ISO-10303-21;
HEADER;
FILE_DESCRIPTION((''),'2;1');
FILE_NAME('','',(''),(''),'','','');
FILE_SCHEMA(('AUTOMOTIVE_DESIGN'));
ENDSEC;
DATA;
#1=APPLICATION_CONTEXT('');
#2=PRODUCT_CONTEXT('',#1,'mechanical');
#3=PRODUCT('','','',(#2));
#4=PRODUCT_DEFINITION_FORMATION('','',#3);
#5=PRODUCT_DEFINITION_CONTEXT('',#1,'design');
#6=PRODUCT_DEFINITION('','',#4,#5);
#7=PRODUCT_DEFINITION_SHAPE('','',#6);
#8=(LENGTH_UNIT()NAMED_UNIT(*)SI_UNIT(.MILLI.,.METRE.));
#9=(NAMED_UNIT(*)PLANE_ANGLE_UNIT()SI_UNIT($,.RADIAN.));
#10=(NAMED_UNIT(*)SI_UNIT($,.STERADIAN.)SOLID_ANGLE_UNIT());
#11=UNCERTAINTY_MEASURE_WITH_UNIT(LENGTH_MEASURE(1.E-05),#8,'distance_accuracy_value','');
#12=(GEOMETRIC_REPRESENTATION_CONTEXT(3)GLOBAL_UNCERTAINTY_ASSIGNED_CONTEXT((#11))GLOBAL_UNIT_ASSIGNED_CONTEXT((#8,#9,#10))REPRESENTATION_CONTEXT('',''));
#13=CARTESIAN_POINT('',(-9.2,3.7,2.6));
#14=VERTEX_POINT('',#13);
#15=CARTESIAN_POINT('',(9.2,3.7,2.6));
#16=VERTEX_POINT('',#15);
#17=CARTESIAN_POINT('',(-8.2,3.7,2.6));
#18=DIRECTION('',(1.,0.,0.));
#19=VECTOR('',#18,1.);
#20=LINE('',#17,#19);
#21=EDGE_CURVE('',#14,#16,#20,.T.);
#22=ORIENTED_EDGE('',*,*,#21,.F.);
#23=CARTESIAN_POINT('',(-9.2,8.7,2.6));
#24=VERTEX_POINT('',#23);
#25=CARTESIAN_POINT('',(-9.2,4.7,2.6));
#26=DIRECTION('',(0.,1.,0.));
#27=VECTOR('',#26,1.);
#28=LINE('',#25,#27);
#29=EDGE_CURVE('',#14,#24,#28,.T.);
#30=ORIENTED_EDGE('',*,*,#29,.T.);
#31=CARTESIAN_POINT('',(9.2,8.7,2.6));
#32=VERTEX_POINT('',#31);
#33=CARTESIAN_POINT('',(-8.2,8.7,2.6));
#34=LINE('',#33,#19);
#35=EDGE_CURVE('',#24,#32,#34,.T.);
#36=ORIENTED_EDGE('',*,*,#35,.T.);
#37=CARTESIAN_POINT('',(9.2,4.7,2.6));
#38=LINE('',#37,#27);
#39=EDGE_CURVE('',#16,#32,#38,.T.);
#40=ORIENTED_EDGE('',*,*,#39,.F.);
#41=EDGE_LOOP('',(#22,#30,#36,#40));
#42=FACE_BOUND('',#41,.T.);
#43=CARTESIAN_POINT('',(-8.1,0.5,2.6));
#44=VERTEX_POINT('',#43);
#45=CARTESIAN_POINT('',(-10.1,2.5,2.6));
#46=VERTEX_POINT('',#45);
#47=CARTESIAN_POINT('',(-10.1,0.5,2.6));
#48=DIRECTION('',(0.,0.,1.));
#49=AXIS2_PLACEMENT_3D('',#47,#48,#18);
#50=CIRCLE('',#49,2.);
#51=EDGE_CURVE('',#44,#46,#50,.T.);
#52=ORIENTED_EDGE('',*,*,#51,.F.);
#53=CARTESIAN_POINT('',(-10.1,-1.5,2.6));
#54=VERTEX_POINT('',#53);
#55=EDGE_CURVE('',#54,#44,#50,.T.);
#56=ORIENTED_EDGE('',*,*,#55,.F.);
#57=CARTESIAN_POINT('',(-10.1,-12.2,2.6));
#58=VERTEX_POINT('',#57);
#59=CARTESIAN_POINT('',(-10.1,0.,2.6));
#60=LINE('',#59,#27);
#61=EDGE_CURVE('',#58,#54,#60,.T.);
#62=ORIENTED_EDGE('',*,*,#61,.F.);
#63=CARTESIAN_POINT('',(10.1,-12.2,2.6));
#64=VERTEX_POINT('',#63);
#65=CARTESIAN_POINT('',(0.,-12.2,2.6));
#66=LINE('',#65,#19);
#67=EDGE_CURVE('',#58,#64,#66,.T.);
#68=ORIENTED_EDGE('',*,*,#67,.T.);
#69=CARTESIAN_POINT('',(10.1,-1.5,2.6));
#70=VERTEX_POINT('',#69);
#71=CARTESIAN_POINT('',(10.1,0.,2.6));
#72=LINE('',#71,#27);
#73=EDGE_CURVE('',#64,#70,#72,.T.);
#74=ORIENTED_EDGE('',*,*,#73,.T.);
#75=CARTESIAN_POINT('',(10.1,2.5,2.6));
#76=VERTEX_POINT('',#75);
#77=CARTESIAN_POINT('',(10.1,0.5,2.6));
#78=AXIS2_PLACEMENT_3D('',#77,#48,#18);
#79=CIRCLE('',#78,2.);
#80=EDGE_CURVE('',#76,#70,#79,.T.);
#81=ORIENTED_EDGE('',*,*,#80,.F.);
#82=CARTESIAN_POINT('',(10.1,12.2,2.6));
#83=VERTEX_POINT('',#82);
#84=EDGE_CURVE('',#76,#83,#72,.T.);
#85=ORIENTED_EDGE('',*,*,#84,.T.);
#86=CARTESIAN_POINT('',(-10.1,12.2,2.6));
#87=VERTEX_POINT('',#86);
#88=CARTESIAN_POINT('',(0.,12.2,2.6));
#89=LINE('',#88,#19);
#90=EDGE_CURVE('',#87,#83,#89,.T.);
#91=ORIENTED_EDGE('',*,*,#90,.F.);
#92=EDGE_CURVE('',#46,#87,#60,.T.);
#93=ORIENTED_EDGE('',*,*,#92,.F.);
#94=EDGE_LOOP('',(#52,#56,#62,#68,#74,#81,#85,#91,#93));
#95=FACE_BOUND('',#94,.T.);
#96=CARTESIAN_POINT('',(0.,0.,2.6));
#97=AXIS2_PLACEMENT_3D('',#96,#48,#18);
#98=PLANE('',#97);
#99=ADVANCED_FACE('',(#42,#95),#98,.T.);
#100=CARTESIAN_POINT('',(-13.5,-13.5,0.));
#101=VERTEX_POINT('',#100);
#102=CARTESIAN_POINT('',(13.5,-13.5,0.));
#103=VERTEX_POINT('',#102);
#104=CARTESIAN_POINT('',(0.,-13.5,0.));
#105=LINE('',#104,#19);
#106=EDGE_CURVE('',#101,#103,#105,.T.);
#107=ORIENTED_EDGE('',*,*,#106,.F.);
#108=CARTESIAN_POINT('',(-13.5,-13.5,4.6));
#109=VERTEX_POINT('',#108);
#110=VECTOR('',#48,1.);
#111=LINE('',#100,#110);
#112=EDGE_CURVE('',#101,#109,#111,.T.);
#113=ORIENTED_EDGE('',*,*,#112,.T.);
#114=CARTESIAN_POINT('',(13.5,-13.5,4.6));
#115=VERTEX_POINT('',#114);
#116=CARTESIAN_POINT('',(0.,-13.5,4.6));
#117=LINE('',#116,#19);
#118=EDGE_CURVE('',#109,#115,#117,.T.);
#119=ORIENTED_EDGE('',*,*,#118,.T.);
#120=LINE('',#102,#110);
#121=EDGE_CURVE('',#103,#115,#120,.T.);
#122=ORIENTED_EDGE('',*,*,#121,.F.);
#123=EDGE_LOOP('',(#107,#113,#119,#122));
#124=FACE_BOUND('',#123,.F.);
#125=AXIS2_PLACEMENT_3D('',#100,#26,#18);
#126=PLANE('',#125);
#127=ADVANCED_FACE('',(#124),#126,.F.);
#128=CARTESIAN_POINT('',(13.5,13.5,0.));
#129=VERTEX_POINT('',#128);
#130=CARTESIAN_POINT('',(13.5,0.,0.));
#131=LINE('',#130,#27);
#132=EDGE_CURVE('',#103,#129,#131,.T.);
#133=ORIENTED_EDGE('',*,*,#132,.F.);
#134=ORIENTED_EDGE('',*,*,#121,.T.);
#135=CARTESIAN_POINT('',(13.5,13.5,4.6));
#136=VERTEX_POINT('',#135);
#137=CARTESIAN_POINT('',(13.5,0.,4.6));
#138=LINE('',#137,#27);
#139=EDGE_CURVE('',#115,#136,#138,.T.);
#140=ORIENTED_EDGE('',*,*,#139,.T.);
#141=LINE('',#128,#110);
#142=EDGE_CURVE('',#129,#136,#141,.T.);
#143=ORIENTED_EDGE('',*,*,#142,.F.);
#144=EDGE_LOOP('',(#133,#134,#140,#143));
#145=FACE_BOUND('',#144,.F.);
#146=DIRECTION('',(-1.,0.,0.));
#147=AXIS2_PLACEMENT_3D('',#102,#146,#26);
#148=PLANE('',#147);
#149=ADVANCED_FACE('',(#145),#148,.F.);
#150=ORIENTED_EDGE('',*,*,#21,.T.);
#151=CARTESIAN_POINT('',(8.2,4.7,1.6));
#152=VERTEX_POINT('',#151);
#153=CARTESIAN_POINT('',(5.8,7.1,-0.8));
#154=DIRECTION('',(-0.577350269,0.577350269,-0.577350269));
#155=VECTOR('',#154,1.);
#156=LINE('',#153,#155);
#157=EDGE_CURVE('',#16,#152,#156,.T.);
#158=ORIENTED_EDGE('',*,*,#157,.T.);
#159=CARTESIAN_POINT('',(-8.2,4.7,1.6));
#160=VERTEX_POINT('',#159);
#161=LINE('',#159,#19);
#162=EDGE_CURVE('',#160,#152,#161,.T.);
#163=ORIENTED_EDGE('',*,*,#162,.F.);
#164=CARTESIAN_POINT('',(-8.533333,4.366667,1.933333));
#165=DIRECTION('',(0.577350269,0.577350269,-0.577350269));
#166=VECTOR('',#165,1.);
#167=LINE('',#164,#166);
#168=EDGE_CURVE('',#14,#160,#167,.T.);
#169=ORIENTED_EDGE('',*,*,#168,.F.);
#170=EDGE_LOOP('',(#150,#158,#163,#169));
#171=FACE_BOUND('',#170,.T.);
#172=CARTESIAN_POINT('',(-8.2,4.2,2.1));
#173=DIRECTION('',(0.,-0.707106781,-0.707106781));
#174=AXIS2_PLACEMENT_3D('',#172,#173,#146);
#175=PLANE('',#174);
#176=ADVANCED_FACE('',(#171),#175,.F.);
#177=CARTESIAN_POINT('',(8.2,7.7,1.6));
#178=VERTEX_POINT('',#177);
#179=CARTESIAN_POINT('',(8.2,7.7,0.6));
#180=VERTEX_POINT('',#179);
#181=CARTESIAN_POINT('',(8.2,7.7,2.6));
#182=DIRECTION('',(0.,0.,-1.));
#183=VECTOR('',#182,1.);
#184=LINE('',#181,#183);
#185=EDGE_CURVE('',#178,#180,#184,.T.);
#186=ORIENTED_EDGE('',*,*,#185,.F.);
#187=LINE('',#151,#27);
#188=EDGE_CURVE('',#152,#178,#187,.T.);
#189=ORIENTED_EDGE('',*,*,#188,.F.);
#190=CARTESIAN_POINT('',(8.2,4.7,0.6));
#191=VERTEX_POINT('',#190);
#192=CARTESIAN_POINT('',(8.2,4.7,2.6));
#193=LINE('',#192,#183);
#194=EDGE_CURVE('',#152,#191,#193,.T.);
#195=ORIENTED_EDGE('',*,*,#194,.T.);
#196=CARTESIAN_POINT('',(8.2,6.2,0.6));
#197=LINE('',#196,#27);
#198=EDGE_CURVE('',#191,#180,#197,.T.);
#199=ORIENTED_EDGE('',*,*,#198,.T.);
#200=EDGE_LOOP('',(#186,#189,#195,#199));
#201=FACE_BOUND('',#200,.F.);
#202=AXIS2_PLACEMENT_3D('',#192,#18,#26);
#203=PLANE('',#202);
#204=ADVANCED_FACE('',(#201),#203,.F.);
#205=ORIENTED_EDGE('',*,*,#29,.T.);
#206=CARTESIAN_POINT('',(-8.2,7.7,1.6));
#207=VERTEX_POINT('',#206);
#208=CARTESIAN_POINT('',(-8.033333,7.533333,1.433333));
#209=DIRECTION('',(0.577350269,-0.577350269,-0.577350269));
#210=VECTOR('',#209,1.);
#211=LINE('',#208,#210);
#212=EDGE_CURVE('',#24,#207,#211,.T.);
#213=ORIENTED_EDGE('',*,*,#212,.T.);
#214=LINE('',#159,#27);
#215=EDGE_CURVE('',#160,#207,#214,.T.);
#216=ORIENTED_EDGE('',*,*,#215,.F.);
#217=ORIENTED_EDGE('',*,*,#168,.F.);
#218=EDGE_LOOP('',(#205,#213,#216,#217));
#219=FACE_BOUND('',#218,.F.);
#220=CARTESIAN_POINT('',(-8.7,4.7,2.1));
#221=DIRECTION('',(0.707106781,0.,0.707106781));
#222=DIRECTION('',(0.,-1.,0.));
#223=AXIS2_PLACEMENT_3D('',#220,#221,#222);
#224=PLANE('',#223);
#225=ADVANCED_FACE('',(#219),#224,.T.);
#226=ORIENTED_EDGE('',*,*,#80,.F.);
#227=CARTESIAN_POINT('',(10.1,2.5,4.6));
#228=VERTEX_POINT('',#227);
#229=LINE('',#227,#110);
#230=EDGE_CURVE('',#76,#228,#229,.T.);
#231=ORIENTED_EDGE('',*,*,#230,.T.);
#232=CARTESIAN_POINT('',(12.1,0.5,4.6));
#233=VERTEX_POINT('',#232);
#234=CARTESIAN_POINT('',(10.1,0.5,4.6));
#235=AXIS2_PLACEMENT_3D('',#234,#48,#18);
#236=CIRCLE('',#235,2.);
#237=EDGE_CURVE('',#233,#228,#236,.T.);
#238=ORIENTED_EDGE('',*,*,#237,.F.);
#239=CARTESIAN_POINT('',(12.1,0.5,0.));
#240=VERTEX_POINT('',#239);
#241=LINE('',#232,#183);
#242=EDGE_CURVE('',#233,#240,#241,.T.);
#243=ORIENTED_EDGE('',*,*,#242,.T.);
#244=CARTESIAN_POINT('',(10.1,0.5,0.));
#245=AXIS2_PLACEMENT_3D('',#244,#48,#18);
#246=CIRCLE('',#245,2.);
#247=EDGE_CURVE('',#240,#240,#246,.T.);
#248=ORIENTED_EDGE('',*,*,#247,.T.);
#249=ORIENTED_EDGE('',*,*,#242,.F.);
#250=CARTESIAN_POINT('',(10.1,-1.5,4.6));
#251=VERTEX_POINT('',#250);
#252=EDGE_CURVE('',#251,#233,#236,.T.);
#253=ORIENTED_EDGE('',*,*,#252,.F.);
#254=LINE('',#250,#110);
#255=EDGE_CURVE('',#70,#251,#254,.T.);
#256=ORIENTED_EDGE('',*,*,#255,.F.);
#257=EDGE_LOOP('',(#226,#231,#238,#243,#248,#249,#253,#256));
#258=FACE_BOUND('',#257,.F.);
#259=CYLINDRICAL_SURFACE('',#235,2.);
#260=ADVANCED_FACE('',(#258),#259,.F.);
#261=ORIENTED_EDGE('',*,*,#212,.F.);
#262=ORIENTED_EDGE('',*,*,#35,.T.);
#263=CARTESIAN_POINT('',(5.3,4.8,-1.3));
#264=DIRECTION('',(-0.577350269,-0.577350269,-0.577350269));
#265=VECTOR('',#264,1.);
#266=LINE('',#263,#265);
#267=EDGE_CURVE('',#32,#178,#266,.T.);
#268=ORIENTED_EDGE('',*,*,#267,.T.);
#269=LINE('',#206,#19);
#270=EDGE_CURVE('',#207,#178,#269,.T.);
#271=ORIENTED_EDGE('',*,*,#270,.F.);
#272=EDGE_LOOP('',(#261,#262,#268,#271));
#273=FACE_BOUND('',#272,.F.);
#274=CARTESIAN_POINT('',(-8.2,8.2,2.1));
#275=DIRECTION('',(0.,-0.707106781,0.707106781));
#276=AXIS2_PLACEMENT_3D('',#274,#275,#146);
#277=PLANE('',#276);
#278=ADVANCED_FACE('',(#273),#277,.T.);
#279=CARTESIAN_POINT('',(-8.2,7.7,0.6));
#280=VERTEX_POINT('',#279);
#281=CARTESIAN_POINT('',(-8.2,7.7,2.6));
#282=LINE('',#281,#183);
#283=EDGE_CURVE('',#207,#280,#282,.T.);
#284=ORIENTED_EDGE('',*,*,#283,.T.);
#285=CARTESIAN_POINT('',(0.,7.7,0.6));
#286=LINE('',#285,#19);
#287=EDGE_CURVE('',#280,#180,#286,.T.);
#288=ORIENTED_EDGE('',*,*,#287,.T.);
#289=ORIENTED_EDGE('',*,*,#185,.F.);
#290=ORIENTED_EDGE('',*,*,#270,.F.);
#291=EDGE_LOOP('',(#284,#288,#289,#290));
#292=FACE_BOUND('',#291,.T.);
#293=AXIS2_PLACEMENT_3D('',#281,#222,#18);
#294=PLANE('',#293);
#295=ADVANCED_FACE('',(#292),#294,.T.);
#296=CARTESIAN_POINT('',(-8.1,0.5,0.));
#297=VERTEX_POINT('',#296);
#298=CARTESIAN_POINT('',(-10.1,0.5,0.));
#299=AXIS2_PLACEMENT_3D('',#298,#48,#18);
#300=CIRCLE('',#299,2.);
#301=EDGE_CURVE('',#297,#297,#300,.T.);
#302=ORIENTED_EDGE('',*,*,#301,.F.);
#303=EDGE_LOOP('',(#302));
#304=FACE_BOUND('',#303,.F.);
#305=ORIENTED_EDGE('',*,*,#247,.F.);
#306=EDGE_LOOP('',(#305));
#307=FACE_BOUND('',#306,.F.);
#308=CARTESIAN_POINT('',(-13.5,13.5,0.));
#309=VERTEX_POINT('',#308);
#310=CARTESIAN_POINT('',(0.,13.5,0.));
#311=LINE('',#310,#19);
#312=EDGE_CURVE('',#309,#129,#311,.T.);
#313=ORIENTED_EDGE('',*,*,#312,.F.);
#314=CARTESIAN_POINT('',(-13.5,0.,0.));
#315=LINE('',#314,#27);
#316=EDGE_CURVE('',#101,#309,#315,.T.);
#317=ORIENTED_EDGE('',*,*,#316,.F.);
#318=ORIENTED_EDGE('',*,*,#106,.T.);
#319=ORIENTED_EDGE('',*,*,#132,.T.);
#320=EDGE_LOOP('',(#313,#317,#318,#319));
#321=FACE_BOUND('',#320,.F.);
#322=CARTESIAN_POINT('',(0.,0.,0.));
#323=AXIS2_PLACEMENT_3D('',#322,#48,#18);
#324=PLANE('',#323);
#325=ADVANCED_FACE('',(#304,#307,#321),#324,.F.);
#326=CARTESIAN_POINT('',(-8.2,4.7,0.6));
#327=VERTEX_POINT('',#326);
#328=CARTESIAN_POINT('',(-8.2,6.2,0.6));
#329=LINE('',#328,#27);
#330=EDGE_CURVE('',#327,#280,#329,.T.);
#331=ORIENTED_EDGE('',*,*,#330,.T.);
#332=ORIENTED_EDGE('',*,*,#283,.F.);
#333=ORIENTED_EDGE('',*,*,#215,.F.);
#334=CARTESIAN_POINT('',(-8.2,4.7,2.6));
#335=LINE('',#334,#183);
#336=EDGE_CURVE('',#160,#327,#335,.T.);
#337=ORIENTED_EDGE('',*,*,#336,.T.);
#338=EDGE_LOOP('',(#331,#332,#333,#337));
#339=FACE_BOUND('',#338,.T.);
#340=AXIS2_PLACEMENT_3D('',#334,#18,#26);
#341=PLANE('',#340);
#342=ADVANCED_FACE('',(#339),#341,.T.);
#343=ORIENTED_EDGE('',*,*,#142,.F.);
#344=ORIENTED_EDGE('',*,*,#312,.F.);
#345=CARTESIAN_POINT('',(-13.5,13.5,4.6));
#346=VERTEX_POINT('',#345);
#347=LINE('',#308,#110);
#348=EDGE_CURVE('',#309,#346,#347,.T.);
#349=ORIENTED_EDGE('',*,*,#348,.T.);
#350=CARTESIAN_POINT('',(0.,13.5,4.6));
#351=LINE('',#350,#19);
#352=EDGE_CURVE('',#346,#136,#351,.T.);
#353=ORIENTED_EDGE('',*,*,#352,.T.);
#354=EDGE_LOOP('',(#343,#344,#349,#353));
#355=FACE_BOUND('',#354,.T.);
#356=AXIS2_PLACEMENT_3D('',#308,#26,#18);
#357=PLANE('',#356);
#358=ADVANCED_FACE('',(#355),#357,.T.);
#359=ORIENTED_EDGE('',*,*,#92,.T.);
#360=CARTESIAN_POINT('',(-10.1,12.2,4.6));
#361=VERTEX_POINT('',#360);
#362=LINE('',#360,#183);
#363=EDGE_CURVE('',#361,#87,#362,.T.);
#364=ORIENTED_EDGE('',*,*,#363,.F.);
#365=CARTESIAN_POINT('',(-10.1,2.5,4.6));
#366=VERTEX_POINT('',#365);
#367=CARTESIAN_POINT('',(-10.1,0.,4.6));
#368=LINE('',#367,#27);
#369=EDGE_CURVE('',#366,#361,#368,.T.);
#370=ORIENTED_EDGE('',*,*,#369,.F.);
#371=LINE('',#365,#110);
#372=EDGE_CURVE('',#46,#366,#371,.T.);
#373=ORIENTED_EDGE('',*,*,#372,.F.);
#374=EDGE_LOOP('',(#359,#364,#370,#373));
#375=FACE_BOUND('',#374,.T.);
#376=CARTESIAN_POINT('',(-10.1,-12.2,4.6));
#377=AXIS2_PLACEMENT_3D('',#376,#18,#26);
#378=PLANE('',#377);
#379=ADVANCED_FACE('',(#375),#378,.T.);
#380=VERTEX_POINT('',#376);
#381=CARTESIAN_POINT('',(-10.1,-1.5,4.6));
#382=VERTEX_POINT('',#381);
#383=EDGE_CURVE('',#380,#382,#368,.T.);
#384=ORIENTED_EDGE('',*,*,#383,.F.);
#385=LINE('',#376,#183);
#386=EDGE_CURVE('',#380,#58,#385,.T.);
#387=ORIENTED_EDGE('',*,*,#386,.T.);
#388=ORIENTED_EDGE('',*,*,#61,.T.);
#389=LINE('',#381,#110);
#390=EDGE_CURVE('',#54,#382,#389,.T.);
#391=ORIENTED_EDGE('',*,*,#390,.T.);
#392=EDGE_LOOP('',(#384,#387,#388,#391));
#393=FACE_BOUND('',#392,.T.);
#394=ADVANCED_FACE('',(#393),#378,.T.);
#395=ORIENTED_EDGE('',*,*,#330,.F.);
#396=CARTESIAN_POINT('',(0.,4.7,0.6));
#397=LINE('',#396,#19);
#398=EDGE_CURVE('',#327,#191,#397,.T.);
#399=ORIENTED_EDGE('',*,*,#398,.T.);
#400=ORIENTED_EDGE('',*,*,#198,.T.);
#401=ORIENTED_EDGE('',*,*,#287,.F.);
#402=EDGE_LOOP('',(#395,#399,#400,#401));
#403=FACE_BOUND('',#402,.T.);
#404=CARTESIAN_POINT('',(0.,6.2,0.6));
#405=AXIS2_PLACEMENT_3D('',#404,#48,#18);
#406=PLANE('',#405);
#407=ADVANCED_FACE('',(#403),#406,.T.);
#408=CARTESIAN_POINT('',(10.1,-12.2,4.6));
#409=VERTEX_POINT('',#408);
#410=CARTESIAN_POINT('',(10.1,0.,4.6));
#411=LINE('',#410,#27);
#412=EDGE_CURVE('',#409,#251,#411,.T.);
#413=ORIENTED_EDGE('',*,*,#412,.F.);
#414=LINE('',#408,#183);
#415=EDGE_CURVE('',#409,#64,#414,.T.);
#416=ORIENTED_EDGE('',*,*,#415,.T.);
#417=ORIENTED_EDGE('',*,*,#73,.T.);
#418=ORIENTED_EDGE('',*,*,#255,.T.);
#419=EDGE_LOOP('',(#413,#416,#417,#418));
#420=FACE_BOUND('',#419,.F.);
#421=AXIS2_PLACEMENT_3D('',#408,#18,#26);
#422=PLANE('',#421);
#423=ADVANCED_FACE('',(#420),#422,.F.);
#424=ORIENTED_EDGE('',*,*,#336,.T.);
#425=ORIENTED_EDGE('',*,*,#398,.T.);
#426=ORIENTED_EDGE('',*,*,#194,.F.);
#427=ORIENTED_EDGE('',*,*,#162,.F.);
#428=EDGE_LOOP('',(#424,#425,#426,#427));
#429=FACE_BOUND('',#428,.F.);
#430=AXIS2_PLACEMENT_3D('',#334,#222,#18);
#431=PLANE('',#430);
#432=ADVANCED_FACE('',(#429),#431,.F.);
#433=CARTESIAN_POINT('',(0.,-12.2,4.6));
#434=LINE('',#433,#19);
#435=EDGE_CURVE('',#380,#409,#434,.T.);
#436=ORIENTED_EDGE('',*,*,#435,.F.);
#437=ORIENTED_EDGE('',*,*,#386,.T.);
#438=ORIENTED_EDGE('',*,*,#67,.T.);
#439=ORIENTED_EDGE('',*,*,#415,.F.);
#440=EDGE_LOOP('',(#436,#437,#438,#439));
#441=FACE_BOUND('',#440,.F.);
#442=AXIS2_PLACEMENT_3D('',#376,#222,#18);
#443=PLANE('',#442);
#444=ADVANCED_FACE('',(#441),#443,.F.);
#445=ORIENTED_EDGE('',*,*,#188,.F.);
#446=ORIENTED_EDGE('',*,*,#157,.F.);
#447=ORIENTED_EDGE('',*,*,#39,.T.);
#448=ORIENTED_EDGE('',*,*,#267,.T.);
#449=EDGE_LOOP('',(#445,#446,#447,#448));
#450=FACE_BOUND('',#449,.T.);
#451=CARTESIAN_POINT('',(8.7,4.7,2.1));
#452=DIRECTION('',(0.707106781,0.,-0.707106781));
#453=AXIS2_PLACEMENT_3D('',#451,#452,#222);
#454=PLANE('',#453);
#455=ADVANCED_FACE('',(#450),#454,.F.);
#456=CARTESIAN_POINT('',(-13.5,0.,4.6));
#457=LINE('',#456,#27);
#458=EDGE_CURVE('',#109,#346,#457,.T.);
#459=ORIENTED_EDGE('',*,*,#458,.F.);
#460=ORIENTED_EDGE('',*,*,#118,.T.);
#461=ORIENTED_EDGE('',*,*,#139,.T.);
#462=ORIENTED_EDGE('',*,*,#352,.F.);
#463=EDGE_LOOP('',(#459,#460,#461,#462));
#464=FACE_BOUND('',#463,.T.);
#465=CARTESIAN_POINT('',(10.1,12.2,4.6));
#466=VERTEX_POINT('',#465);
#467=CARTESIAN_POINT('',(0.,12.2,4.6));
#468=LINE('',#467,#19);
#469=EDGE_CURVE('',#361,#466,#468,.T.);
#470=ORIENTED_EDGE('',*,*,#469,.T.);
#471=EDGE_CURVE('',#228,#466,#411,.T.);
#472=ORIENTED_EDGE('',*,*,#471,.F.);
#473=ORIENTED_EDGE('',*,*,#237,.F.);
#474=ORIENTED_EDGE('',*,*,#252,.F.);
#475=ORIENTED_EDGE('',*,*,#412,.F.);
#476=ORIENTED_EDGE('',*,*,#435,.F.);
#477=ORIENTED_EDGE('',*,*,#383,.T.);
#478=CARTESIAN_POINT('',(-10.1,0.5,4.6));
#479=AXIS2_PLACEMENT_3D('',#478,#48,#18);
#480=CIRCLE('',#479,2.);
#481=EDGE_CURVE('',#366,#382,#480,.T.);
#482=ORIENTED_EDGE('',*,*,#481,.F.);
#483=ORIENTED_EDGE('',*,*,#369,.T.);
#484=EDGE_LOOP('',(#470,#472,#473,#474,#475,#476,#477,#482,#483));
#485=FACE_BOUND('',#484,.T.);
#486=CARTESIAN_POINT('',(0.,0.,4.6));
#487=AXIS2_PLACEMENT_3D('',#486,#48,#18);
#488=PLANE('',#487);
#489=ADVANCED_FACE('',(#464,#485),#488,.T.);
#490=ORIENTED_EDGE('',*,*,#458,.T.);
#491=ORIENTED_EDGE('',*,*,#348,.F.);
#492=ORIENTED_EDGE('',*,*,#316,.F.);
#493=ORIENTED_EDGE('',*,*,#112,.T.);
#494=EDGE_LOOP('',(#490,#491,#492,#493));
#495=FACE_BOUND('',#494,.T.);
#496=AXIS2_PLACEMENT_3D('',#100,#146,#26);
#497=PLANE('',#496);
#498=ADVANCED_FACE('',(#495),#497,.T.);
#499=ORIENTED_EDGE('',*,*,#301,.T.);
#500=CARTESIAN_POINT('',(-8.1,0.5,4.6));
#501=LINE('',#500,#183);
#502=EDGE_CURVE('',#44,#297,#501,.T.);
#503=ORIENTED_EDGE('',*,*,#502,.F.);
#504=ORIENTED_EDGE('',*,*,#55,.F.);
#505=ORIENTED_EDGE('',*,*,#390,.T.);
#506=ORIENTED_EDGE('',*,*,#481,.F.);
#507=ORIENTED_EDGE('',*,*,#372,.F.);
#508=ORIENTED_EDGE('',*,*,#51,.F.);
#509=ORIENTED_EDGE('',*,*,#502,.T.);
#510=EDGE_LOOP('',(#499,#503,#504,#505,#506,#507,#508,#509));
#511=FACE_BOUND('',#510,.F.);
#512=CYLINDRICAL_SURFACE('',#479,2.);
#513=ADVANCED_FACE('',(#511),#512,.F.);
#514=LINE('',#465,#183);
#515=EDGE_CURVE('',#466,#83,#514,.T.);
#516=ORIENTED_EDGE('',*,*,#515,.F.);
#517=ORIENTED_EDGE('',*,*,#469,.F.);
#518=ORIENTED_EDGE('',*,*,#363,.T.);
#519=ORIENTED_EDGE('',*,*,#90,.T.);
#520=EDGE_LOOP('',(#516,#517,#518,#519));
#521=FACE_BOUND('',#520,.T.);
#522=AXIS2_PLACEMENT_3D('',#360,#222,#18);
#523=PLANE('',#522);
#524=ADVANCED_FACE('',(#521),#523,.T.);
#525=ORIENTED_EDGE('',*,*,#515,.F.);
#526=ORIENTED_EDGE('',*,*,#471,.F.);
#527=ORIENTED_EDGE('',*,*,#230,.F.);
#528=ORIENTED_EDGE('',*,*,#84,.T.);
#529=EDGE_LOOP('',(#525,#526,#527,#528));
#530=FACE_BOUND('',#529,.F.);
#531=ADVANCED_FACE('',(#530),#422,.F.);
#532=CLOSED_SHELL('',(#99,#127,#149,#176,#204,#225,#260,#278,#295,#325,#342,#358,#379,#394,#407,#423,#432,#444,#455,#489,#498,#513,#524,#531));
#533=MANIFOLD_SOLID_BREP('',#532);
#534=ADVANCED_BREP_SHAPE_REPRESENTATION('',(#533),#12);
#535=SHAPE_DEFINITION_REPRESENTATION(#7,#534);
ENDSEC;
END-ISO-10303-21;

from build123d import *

# Parameters (mm, degrees)
SKETCH_W        = 27
SKETCH_H        = 27
PAD_DEPTH       = 4.6
SKETCH001_W     = 20.2
SKETCH001_H     = 24.4
POCKET_DEPTH    = 2
SKETCH002_W     = 16.4
SKETCH002_H     = 3
POCKET001_DEPTH = 2
CHAMFER_SIZE    = 1
SKETCH003_R     = 2
POCKET002_DEPTH = 4.601


with BuildPart() as part:
    # Sketch → Pad (new body)
    with BuildSketch(Plane.XY):
        Rectangle(SKETCH_W, SKETCH_H)
    extrude(amount=PAD_DEPTH)

    # Sketch001 (on Face6 of Pad) → Pocket (cut)
    with BuildSketch(Plane.XY.offset(4.6)):
        Rectangle(SKETCH001_W, SKETCH001_H)
    extrude(amount=-POCKET_DEPTH, mode=Mode.SUBTRACT)

    # Sketch002 (on Face11 of Pocket) → Pocket001 (cut)
    with BuildSketch(Plane.XY.offset(2.6)):
        with Locations((0, 6.2)):
            Rectangle(SKETCH002_W, SKETCH002_H)
    extrude(amount=-POCKET001_DEPTH, mode=Mode.SUBTRACT)

    # Chamfer
    chamfer_edges = [part.edges().sort_by_distance(p)[0] for p in [
        (0, 7.7, 2.6),
        (-8.2, 6.2, 2.6),
        (0, 4.7, 2.6),
        (8.2, 6.2, 2.6),
    ]]
    chamfer(chamfer_edges, length=CHAMFER_SIZE)

    # Sketch003 (on Face14 of Chamfer) → Pocket002 (cut, through all)
    with BuildSketch(Plane.XY.offset(4.6)):
        with Locations((-10.1, 0.5)):
            Circle(SKETCH003_R)
        with Locations((10.1, 0.5)):
            Circle(SKETCH003_R)
    extrude(amount=-POCKET002_DEPTH, mode=Mode.SUBTRACT)


solid = part.part
